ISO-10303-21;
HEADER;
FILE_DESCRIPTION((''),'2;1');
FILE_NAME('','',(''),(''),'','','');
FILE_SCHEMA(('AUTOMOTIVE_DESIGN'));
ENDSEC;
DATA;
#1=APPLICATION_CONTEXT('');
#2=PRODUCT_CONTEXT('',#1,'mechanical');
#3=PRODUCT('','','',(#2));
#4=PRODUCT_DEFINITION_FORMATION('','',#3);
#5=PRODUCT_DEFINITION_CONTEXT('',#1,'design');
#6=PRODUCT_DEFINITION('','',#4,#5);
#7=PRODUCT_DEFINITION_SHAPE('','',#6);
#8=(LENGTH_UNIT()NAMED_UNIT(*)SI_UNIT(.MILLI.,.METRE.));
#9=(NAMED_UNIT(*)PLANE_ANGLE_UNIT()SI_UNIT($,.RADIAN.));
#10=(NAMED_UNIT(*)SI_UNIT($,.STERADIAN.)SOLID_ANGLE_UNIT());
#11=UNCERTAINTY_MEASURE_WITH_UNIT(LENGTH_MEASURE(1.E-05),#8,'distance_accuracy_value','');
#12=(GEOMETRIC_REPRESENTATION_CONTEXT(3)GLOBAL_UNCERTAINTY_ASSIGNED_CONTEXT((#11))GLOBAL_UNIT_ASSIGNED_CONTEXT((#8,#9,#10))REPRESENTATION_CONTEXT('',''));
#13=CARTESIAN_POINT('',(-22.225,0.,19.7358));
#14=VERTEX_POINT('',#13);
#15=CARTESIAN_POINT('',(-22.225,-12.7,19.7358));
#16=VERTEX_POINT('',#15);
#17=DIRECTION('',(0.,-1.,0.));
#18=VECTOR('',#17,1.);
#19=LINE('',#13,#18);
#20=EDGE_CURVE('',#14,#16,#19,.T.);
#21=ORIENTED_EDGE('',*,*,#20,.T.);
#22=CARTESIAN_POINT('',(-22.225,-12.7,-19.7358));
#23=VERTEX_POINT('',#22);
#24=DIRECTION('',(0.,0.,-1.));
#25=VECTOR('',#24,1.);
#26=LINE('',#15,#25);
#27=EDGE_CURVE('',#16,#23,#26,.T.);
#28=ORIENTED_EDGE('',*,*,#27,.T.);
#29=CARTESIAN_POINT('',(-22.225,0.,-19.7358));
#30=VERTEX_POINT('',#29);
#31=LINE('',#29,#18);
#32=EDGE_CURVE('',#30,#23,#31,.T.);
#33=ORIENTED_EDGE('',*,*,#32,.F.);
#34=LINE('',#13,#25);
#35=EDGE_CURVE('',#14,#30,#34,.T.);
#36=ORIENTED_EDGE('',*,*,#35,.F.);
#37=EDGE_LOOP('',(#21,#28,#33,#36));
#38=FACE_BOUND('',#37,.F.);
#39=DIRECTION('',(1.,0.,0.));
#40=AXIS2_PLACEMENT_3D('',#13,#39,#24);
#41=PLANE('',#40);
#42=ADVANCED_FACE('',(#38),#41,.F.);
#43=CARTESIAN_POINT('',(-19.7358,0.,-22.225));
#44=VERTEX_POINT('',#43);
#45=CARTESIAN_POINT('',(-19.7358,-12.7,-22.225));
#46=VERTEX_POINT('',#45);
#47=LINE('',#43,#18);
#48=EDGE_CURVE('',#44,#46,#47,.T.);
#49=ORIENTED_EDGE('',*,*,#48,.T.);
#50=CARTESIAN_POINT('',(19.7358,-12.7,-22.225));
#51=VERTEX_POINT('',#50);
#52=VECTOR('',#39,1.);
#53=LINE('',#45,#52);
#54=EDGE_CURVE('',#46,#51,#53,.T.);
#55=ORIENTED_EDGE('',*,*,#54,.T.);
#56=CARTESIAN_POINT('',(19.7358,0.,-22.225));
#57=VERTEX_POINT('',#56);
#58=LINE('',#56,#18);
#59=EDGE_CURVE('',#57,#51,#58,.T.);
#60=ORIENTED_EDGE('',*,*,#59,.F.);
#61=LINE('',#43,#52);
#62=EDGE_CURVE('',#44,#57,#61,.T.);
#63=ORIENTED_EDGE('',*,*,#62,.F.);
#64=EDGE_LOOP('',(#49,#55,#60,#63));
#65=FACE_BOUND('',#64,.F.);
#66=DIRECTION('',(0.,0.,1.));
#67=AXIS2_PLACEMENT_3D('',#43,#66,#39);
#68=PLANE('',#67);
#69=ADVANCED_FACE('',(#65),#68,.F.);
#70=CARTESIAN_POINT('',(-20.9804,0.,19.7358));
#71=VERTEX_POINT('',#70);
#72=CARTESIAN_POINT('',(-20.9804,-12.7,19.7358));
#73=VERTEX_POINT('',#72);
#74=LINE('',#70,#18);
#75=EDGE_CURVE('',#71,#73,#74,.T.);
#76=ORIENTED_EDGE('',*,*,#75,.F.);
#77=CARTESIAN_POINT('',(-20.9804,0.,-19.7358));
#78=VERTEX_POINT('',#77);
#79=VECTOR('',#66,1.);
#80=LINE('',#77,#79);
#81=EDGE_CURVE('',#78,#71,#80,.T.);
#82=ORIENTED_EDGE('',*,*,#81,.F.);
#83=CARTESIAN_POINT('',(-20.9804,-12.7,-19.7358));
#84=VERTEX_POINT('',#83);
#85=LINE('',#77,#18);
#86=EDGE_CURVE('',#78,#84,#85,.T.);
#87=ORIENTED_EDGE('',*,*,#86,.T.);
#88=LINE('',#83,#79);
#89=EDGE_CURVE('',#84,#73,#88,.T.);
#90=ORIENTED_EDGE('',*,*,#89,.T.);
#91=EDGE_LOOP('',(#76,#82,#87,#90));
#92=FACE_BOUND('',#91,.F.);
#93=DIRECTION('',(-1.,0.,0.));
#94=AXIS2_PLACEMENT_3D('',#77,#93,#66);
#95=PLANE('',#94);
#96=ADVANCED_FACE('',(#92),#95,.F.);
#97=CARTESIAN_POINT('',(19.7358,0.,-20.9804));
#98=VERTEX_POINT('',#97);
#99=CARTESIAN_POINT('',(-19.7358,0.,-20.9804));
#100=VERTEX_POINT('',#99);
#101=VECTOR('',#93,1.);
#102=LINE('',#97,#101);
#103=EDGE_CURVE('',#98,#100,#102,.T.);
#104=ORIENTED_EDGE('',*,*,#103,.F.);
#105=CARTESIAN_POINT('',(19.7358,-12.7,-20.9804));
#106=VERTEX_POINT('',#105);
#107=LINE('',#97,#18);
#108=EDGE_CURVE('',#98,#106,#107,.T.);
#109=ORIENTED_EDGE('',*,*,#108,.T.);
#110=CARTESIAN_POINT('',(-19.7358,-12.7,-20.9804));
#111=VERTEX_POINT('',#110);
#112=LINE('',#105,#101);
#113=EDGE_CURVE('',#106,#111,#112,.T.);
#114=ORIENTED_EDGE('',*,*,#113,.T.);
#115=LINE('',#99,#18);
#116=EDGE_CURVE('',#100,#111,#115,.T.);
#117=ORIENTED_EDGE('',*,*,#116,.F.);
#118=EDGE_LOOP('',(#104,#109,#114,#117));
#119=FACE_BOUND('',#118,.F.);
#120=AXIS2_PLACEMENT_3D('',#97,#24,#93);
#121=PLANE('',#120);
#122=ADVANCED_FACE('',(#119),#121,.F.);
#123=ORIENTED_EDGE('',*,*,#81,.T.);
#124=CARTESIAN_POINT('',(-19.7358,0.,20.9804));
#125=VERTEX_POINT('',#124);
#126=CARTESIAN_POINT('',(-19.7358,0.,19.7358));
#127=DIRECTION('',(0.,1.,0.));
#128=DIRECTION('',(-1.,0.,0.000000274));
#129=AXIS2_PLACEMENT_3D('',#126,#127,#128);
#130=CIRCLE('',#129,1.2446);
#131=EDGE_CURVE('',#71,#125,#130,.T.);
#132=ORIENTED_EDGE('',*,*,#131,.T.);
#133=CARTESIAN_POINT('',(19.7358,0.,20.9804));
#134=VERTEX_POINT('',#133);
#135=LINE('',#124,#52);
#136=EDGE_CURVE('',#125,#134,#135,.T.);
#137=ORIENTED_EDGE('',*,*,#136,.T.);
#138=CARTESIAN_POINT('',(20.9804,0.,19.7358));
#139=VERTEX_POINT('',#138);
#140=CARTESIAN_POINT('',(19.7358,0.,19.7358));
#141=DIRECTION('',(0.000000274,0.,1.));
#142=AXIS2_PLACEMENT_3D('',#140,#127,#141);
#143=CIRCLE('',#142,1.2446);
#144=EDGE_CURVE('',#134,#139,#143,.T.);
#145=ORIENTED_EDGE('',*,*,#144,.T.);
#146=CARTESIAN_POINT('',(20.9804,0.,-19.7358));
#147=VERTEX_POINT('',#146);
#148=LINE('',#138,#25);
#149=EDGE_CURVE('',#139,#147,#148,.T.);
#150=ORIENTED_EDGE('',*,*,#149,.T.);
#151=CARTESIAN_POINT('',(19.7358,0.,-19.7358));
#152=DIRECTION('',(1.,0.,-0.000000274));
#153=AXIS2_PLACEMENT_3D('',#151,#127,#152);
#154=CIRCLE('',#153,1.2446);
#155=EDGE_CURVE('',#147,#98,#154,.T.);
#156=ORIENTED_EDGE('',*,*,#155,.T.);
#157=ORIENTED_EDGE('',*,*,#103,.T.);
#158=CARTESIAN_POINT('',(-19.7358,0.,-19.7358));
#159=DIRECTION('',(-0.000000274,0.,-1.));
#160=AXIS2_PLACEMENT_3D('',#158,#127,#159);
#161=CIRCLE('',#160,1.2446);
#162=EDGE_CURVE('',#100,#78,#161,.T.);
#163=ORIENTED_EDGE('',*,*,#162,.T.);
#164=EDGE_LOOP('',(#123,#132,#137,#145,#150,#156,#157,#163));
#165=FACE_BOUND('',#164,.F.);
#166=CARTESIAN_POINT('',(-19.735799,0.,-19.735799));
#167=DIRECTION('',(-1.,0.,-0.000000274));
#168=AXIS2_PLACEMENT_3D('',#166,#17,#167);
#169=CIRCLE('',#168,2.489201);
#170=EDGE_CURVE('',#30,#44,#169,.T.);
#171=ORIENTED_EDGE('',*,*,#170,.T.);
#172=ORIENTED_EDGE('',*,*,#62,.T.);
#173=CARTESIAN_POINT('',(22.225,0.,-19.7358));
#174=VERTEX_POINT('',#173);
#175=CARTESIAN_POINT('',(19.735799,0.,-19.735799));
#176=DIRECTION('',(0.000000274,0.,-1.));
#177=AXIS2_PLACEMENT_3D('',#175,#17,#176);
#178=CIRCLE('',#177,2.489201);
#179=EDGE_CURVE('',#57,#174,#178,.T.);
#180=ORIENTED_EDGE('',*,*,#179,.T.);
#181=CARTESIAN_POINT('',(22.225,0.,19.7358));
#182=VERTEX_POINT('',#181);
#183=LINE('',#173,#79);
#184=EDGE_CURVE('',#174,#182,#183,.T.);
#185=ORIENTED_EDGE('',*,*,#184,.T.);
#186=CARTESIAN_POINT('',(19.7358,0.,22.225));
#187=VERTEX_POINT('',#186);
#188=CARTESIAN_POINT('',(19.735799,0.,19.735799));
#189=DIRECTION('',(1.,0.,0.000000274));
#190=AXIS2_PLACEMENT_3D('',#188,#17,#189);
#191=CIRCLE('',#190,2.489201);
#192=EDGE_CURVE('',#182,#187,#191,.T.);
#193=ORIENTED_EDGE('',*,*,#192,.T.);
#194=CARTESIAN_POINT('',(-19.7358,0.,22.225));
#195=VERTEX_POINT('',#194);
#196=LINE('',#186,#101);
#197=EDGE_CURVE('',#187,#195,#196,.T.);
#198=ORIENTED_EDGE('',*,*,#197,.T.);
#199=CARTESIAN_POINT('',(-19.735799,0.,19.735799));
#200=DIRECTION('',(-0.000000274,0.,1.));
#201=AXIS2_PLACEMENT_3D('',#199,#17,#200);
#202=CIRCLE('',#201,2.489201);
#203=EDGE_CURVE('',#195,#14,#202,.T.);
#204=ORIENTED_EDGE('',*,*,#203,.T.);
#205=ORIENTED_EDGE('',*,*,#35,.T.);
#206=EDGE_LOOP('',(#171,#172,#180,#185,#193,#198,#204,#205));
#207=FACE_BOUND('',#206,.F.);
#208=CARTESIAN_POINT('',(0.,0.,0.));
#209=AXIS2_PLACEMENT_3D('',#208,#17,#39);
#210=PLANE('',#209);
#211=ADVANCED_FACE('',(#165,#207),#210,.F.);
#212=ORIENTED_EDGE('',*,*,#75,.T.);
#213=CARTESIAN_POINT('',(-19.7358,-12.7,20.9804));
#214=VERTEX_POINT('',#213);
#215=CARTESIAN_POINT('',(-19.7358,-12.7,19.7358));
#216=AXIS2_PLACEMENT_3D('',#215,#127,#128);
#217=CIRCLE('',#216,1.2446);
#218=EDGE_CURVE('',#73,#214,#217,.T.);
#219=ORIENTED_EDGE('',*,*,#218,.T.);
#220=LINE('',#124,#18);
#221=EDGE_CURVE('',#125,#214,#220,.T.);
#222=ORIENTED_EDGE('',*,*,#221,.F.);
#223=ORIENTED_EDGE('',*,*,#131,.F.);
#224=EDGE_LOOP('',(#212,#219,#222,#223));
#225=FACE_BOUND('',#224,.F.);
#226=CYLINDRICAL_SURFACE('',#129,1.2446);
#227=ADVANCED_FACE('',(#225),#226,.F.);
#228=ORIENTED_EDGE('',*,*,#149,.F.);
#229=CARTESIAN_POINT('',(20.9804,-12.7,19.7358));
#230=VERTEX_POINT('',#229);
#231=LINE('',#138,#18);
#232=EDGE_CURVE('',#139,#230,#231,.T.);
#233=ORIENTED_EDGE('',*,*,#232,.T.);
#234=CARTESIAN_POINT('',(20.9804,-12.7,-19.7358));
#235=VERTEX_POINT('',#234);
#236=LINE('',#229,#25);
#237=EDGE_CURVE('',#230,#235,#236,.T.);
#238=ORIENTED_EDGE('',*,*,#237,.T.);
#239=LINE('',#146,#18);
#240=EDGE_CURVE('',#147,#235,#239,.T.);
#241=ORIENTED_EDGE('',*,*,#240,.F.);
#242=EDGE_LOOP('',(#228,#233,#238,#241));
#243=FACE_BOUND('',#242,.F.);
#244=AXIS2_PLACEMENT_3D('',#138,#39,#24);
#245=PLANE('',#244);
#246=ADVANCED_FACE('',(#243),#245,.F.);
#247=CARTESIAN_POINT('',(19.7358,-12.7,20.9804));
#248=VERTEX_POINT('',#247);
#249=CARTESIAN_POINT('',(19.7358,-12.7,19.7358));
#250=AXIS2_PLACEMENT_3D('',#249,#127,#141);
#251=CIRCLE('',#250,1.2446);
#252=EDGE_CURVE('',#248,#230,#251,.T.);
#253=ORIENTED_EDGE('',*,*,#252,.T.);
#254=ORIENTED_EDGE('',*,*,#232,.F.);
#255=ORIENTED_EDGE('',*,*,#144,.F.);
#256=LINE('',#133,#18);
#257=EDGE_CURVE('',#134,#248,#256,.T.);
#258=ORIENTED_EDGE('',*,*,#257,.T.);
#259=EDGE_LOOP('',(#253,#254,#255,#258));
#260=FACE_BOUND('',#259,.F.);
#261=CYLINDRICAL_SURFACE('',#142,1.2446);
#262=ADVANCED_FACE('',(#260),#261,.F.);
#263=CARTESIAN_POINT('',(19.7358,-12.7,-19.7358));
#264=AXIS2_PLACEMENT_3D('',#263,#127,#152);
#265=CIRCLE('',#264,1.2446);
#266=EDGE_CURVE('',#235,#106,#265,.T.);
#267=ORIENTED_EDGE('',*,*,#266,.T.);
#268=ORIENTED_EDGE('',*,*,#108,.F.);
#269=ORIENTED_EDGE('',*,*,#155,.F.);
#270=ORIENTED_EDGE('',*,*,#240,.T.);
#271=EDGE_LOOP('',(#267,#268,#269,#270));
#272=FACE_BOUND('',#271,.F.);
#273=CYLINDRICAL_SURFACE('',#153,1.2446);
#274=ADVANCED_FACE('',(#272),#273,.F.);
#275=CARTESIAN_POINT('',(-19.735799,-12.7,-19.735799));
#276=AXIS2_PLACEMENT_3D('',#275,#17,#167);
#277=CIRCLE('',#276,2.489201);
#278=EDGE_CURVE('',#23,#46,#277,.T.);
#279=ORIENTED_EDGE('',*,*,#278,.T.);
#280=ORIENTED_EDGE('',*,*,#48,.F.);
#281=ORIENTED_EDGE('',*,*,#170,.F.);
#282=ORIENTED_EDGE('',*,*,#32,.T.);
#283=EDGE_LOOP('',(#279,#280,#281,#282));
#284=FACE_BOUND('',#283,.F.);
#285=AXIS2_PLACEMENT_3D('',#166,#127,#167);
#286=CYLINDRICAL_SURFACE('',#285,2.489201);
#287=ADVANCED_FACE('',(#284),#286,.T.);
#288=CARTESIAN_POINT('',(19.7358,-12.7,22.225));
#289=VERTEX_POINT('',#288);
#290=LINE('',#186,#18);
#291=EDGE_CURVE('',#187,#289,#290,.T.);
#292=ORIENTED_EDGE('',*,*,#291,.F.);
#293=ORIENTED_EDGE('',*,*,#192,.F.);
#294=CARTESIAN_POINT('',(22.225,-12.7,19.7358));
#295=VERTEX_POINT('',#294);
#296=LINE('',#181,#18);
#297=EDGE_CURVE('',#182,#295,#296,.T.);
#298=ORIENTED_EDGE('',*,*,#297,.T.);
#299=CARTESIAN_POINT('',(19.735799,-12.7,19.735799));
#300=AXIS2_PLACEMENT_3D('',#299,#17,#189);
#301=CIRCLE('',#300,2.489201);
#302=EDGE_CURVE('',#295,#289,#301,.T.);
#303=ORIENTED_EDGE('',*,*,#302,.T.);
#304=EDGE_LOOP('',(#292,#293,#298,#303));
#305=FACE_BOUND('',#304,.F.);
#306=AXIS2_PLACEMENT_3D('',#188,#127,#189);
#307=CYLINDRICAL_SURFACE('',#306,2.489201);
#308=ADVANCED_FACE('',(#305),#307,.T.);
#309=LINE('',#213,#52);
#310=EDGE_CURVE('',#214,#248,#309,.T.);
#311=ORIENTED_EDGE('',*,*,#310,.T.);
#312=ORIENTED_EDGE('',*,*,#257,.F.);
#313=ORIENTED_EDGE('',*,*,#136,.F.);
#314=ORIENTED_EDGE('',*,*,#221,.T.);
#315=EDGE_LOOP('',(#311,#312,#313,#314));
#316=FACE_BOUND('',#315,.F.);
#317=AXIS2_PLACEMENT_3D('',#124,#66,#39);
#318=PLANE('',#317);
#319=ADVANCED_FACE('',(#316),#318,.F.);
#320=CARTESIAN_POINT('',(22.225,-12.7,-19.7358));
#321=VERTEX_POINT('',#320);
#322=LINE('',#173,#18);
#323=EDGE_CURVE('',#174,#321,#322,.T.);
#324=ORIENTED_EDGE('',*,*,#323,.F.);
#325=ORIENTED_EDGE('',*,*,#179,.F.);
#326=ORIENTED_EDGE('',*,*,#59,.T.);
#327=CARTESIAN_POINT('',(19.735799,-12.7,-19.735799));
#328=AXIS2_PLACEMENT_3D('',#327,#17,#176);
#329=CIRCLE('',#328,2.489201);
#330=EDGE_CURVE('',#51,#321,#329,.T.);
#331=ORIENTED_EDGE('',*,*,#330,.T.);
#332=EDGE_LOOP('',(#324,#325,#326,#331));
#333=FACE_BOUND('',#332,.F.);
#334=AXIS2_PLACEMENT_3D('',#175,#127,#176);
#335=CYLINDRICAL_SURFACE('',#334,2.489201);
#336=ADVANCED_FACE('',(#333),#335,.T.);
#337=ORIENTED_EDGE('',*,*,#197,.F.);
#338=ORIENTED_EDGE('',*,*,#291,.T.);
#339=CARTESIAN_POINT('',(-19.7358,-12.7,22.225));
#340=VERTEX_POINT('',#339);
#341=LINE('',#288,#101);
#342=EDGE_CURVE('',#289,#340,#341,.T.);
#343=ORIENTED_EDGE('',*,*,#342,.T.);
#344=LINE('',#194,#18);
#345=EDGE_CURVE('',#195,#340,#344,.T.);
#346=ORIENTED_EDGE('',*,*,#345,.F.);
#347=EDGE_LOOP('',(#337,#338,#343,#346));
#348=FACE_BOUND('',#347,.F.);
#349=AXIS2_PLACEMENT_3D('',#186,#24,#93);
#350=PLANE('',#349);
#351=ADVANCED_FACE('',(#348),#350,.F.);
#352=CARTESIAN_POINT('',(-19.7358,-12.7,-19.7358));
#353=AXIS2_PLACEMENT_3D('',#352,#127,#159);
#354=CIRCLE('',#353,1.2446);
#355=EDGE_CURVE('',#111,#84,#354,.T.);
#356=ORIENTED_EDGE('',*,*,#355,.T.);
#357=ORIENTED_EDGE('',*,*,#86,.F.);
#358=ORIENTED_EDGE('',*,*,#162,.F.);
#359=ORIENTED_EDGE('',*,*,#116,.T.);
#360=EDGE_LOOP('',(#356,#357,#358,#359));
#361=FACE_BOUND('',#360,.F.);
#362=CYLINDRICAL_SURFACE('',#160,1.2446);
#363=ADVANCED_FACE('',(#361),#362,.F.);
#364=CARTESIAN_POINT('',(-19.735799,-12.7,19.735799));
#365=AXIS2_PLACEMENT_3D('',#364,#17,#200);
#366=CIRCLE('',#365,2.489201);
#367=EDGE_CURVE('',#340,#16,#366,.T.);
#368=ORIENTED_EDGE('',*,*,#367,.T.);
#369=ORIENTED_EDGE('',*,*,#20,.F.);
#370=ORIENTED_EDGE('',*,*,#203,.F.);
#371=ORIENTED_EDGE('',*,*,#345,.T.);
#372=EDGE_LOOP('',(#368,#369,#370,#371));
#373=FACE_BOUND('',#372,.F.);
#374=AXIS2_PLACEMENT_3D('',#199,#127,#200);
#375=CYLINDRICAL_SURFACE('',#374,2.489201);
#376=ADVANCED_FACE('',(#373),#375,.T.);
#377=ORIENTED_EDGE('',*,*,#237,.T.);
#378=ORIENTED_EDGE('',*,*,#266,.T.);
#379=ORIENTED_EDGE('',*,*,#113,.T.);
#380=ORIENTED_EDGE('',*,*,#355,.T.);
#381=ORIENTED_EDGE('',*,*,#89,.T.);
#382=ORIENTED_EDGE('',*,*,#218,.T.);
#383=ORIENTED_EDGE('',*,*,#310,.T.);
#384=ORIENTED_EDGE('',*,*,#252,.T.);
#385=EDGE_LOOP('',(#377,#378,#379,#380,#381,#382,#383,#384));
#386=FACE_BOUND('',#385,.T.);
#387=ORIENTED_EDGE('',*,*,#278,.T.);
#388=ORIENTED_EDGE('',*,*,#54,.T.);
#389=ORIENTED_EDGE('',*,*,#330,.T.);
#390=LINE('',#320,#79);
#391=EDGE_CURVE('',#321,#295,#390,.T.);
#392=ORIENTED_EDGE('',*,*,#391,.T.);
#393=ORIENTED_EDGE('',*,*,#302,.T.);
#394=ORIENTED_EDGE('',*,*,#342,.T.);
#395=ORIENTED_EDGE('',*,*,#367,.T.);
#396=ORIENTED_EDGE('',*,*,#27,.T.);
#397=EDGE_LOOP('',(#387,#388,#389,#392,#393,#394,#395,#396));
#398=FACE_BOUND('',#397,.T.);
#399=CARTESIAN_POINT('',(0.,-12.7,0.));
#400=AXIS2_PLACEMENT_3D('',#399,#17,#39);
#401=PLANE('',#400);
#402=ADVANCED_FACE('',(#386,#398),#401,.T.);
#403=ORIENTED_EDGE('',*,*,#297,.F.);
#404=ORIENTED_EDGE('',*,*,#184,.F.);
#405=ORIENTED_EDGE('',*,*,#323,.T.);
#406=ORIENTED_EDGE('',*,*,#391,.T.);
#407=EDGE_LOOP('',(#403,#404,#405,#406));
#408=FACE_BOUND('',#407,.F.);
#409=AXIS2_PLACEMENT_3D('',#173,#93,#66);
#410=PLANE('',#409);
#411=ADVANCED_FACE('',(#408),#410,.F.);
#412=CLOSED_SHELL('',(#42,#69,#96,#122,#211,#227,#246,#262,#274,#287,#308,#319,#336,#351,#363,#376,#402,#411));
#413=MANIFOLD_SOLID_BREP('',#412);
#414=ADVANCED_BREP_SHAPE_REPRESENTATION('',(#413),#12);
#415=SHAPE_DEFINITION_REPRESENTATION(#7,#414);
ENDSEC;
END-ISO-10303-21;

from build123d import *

# Parameters (mm, degrees)
F1_DEPTH = 12.7


with BuildPart() as f1:
    # F0 (on Front) → F1 (new body)
    with BuildSketch(Plane.XZ):
        with BuildLine():
            ThreePointArc((22.225, 19.7358), (21.49593, 21.49593), (19.7358, 22.225))
            Line((19.7358, 22.225), (-19.7358, 22.225))
            ThreePointArc((-19.7358, 22.225), (-21.49593, 21.49593), (-22.225, 19.7358))
            Line((-22.225, 19.7358), (-22.225, -19.7358))
            ThreePointArc((-22.225, -19.7358), (-21.49593, -21.49593), (-19.7358, -22.225))
            Line((-19.7358, -22.225), (19.7358, -22.225))
            ThreePointArc((19.7358, -22.225), (21.49593, -21.49593), (22.225, -19.7358))
            Line((22.225, -19.7358), (22.225, 19.7358))
        make_face()
        with BuildLine():
            Line((-19.7358, 20.9804), (19.7358, 20.9804))
            ThreePointArc((19.7358, 20.9804), (20.615865, 20.615865), (20.9804, 19.7358))
            Line((20.9804, 19.7358), (20.9804, -19.7358))
            ThreePointArc((20.9804, -19.7358), (20.615865, -20.615865), (19.7358, -20.9804))
            Line((19.7358, -20.9804), (-19.7358, -20.9804))
            ThreePointArc((-19.7358, -20.9804), (-20.615865, -20.615865), (-20.9804, -19.7358))
            Line((-20.9804, -19.7358), (-20.9804, 19.7358))
            ThreePointArc((-20.9804, 19.7358), (-20.615865, 20.615865), (-19.7358, 20.9804))
        make_face(mode=Mode.SUBTRACT)
    extrude(amount=F1_DEPTH)


solid = f1.part
